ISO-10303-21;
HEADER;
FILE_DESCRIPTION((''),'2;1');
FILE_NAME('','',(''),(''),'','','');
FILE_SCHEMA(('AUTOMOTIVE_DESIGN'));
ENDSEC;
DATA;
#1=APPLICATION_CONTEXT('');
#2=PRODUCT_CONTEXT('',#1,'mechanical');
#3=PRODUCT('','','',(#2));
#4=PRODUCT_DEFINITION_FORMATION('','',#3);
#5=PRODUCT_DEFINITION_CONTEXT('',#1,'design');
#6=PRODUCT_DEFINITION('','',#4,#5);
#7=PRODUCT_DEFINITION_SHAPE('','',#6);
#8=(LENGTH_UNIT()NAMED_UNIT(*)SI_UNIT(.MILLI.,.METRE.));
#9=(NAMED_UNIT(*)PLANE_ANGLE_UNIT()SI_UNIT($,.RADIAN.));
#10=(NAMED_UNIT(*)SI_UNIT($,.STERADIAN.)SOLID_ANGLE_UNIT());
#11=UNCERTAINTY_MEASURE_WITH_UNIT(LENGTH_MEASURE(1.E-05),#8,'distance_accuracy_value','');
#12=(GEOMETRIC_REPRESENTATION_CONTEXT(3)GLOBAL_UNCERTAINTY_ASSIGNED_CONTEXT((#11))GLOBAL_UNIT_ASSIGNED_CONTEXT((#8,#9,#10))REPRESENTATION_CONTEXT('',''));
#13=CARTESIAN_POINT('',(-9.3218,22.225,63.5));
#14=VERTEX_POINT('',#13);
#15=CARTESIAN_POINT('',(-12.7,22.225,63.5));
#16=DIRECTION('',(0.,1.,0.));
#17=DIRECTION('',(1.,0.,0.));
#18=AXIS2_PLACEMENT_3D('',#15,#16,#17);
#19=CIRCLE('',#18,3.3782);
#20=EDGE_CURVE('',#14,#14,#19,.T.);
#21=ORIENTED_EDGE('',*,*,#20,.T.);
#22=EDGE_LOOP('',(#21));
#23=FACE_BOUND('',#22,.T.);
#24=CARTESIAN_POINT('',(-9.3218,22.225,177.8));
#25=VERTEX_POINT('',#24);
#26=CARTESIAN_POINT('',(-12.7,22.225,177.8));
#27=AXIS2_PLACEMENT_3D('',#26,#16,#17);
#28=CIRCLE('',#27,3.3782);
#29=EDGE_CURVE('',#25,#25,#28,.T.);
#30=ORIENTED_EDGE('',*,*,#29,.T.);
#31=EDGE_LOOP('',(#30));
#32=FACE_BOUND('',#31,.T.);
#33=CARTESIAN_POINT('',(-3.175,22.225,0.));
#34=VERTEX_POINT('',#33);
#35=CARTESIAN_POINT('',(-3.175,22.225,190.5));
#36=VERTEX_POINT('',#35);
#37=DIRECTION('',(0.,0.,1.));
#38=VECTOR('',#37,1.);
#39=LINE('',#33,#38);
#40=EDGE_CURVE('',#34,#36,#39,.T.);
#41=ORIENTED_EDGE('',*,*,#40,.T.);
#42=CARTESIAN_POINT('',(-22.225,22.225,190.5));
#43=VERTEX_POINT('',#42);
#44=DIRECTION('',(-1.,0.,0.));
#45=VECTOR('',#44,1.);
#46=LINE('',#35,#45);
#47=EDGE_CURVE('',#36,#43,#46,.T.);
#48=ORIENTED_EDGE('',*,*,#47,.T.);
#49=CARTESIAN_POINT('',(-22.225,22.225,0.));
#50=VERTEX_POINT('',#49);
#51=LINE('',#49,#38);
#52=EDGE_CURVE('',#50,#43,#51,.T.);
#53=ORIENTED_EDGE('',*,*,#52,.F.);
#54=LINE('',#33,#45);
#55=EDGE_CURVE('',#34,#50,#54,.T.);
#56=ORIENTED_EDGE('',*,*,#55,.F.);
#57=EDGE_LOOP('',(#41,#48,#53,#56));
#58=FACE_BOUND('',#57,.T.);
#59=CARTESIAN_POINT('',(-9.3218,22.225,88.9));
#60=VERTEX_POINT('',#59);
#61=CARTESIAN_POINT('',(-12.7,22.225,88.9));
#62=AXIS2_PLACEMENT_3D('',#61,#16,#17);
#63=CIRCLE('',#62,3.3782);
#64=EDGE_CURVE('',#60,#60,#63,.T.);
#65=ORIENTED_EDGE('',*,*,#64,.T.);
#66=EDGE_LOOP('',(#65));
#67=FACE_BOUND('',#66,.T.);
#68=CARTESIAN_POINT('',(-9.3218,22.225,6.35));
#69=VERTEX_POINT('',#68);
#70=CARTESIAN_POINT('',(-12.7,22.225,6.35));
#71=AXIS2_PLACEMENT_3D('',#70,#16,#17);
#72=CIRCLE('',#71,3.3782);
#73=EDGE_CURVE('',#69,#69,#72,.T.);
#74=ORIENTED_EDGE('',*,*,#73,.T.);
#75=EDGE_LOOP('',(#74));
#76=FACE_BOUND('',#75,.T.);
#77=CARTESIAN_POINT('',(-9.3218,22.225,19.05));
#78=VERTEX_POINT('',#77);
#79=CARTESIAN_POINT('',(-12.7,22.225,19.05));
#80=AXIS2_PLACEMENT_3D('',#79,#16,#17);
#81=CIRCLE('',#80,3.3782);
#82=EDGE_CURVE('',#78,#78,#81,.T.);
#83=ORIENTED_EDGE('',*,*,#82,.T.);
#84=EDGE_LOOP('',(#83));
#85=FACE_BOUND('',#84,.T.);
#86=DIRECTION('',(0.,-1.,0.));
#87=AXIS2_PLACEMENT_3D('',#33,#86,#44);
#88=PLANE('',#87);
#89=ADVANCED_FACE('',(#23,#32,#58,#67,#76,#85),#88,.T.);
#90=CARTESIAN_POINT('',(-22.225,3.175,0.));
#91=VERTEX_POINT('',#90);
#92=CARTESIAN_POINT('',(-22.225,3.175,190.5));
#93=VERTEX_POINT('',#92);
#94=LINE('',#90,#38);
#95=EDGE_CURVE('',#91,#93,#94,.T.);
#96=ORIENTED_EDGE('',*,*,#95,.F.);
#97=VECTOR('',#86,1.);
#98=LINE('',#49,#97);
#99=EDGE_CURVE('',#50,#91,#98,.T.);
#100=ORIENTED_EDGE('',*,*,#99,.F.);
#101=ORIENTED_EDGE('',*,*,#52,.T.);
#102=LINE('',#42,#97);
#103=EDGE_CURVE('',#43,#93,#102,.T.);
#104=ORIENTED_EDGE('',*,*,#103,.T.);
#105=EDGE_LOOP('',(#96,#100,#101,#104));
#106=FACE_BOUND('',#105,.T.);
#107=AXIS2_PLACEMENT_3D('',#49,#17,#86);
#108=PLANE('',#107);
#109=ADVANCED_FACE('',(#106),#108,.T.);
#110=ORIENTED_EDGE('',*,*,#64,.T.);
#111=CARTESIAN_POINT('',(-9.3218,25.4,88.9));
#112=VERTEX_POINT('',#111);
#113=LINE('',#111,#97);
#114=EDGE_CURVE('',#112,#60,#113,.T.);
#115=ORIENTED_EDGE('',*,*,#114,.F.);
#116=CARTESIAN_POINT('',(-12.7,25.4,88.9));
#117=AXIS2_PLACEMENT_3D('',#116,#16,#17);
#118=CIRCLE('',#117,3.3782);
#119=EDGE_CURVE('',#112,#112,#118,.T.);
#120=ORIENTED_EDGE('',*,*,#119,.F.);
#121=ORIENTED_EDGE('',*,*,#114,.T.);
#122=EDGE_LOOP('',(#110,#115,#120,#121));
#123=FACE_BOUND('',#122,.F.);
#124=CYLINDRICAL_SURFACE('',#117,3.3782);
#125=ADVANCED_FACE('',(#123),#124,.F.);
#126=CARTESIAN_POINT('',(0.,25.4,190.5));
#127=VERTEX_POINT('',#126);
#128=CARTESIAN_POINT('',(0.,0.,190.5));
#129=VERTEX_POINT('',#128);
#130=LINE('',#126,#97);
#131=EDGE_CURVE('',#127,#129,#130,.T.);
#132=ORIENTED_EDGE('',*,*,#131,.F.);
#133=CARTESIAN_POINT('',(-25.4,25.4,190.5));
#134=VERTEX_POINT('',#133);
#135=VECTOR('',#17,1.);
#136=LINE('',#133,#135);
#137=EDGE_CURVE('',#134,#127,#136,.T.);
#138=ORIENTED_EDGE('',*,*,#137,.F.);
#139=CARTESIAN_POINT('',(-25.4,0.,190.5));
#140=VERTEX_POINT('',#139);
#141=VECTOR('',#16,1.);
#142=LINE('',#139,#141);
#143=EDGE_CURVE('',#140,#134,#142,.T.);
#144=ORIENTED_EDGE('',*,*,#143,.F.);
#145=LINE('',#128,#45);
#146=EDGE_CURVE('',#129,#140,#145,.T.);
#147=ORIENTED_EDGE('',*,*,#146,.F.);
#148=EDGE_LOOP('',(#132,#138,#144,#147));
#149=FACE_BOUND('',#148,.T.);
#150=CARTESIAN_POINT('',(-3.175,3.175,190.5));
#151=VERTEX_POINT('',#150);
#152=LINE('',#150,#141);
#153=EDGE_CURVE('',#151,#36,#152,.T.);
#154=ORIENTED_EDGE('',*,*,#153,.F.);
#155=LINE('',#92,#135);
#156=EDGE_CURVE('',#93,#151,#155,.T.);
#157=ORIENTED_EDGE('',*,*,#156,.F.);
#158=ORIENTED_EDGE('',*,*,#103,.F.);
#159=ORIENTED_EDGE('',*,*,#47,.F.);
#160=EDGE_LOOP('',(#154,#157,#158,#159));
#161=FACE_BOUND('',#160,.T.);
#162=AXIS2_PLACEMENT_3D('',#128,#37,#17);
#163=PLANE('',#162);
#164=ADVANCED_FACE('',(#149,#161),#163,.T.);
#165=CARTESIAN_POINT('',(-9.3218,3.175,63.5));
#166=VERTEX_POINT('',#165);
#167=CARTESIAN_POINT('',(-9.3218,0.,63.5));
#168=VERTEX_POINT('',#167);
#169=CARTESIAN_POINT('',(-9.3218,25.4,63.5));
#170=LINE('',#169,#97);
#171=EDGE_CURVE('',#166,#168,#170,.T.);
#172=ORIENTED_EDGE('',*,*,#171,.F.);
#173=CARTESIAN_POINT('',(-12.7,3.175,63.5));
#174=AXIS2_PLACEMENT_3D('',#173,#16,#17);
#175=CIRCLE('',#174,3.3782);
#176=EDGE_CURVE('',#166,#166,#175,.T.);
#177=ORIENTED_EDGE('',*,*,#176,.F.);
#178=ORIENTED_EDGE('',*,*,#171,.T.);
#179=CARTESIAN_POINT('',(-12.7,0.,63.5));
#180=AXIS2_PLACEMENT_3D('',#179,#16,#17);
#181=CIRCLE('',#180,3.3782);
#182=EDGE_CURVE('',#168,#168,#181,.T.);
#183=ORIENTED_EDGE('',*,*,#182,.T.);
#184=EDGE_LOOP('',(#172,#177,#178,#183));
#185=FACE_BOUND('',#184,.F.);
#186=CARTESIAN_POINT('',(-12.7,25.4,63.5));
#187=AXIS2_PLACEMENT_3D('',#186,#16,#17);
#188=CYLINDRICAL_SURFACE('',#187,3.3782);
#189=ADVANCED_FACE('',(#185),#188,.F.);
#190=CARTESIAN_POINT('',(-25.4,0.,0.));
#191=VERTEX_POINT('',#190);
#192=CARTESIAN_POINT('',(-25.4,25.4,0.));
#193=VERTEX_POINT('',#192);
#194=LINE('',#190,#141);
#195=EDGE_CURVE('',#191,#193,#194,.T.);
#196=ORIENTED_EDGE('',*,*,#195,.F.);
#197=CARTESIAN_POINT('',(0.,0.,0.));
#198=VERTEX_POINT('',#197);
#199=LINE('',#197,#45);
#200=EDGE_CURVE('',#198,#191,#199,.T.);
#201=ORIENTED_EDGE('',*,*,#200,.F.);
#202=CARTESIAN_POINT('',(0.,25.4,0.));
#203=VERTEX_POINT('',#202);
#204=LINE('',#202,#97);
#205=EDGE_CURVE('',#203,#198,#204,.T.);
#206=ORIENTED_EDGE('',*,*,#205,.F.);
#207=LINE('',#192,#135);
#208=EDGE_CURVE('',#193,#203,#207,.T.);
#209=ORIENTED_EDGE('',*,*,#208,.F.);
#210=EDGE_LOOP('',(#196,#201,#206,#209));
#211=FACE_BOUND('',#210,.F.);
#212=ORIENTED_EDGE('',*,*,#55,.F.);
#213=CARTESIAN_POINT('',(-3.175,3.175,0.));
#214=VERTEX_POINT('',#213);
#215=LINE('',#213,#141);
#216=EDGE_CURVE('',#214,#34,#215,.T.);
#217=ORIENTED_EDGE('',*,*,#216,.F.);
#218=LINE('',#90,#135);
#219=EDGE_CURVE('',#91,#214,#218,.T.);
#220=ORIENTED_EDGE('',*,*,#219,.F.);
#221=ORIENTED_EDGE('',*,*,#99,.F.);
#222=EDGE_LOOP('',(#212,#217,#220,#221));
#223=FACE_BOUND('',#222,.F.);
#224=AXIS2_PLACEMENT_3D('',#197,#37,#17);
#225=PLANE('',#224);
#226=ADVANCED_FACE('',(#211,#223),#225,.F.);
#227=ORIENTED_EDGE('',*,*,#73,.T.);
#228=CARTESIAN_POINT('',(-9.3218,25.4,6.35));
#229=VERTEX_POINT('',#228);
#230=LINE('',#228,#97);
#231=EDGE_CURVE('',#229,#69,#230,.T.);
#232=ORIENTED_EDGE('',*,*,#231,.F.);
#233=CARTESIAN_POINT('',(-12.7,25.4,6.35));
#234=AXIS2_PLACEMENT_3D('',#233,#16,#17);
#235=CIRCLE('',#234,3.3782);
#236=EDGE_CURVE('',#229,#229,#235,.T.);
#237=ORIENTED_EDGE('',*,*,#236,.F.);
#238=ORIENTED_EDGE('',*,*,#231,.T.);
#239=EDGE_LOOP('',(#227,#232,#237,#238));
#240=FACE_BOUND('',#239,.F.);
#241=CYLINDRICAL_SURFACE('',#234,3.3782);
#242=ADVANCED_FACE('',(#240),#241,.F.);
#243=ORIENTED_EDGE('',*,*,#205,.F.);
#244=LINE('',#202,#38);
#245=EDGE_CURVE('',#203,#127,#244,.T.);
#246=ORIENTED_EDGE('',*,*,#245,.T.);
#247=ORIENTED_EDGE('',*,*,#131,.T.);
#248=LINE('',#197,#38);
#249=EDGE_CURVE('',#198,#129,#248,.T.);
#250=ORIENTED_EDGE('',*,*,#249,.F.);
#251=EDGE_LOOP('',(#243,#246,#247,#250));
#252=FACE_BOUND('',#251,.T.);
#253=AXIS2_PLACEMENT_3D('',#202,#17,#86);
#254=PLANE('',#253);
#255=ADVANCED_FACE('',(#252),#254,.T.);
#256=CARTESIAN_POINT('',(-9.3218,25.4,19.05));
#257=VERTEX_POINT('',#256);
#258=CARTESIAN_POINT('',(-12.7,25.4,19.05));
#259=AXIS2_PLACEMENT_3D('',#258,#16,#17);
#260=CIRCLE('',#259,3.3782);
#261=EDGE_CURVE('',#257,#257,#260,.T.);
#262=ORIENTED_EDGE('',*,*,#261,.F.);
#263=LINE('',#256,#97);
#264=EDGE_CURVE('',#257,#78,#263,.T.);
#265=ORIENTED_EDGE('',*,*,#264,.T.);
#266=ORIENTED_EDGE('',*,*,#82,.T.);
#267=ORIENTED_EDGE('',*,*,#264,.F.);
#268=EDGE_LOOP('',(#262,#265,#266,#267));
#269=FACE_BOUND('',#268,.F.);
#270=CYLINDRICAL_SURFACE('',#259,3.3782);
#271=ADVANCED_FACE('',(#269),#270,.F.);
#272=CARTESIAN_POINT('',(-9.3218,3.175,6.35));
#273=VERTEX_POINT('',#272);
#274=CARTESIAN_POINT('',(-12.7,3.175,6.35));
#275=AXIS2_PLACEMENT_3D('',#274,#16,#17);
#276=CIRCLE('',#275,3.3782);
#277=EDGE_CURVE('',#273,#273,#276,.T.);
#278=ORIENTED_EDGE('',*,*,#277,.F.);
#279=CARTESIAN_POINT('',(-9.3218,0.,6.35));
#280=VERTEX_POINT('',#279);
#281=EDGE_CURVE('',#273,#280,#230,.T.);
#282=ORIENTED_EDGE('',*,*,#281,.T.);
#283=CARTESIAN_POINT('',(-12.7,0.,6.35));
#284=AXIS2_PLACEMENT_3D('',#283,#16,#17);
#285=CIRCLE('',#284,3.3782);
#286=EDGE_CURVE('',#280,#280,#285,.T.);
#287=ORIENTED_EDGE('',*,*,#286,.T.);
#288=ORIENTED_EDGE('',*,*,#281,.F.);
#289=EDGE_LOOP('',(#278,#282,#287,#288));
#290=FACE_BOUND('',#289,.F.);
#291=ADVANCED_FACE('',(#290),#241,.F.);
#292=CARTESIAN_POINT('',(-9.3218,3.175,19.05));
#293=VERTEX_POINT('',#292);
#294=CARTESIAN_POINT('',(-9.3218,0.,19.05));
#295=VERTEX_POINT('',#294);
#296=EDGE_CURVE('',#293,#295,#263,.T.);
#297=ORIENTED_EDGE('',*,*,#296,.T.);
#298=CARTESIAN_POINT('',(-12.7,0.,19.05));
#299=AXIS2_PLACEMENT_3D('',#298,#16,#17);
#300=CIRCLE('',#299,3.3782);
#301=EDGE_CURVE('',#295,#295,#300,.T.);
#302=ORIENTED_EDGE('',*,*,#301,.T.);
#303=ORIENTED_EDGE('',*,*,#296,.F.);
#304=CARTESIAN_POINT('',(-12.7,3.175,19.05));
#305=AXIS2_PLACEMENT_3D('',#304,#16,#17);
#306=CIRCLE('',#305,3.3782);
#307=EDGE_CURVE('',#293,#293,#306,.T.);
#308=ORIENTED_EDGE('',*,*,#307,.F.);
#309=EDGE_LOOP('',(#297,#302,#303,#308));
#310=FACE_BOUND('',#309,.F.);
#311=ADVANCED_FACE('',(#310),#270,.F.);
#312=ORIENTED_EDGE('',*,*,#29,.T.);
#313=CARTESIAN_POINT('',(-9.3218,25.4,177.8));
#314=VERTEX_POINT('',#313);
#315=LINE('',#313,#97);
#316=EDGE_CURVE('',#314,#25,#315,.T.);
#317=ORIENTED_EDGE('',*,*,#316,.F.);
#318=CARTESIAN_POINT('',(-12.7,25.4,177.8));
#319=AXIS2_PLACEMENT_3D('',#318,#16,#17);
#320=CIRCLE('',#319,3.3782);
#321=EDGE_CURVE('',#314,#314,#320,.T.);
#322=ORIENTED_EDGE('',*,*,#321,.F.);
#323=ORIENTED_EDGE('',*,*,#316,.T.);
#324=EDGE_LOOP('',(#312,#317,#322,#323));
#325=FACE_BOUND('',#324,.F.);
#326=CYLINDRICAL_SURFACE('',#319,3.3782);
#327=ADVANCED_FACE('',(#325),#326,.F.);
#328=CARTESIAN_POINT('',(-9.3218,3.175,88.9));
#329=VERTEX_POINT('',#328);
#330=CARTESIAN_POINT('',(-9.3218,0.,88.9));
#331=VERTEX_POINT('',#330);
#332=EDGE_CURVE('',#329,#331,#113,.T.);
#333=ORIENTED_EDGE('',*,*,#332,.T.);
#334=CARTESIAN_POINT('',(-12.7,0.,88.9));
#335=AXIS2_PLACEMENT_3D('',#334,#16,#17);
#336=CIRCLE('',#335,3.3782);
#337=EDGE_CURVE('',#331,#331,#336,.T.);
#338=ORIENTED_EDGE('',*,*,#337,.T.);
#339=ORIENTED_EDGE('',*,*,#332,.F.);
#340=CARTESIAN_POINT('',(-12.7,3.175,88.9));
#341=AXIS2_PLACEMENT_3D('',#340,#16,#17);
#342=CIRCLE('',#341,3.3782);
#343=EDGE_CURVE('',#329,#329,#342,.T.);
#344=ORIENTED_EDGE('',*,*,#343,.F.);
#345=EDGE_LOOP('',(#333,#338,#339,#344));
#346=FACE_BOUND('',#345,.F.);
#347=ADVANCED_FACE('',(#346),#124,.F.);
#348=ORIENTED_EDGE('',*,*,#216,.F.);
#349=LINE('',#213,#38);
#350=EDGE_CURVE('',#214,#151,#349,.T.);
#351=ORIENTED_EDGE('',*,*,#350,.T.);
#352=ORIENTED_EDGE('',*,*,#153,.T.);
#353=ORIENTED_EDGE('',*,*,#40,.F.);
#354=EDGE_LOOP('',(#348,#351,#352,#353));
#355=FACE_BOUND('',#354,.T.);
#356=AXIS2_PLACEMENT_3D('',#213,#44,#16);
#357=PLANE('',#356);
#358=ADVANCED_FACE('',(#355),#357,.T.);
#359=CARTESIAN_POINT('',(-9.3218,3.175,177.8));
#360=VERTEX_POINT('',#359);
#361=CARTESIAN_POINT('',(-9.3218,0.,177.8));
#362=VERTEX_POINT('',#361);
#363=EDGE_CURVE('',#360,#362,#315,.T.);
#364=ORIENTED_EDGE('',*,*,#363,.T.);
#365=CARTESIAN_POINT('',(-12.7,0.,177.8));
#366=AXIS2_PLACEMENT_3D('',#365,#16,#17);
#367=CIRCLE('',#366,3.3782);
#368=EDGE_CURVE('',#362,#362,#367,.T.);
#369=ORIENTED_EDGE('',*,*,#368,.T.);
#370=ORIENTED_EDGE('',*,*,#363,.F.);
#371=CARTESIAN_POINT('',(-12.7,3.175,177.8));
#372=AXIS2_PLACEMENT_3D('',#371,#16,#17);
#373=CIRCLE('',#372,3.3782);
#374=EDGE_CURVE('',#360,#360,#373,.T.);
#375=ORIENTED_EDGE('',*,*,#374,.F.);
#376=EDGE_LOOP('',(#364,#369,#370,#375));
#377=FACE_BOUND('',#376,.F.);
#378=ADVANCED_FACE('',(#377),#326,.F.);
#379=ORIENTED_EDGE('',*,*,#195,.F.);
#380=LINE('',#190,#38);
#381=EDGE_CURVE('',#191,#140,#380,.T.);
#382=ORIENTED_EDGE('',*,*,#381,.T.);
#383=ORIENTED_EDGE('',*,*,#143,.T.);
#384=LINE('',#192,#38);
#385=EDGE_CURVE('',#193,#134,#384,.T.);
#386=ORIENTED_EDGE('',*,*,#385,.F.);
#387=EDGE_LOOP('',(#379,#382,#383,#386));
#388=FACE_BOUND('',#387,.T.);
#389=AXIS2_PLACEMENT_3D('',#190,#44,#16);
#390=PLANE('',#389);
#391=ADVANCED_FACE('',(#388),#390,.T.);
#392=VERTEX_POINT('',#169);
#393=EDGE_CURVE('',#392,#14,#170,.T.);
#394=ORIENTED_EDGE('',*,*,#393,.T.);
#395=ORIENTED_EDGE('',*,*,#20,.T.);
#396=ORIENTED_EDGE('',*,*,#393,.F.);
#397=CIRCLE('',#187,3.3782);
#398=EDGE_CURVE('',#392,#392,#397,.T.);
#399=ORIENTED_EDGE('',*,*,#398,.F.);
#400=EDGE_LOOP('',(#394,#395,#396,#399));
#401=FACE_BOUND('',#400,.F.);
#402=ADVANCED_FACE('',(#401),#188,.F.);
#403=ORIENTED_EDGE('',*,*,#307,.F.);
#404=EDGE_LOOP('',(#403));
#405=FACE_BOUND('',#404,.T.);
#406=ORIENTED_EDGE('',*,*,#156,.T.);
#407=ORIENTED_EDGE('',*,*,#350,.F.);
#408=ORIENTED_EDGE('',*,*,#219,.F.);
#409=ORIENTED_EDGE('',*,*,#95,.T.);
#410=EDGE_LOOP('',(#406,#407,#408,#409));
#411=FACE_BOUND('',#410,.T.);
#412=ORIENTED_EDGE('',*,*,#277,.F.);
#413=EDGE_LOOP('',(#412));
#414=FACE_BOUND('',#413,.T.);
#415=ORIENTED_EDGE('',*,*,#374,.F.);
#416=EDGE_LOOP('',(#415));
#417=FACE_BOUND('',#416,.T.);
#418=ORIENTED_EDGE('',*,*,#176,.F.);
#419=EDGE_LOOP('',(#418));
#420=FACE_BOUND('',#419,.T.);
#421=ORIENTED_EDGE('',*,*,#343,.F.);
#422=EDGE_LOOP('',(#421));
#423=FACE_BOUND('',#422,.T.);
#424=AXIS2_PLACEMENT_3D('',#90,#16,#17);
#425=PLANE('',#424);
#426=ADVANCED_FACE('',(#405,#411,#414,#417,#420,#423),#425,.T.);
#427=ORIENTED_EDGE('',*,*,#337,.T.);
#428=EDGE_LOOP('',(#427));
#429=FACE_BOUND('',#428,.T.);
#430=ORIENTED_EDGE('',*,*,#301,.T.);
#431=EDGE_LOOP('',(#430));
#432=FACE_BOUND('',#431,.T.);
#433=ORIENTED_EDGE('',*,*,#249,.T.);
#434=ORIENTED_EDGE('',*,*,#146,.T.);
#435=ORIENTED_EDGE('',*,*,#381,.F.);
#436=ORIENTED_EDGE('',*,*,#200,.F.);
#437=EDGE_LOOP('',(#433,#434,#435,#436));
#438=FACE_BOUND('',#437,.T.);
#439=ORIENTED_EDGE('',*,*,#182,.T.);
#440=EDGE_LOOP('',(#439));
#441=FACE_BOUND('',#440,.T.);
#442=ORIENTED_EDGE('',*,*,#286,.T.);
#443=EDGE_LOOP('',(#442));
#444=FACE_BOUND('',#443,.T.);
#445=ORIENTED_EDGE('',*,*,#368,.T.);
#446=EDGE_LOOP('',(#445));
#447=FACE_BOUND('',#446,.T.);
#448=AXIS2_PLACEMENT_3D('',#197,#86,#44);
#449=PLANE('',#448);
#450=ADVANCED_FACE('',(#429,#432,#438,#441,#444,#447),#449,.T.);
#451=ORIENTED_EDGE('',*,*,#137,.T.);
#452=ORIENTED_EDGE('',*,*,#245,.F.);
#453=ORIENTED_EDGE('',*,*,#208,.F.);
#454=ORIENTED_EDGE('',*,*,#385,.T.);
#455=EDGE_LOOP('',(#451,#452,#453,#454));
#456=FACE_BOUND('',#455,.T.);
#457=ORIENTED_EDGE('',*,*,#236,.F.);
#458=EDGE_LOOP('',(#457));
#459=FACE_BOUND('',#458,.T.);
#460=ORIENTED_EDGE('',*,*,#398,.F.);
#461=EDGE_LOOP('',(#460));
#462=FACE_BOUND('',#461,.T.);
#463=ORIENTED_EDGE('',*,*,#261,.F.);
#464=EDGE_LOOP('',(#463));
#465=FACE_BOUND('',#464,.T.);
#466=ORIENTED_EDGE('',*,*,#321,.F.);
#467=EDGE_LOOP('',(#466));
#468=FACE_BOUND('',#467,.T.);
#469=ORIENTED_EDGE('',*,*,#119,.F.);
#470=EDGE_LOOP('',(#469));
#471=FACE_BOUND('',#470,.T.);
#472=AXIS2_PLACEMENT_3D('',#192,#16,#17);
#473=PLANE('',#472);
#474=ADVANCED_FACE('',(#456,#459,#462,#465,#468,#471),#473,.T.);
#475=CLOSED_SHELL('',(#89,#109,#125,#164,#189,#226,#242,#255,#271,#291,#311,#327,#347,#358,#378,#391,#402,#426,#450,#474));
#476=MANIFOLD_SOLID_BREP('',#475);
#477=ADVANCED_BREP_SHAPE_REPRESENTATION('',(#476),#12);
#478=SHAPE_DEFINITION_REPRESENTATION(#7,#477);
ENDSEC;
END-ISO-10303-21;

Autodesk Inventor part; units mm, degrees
ref_plane "YZ Plane" through (0, 0, 0) normal (1, 0, 0) x (0, 1, 0)
ref_plane "XZ Plane" through (0, 0, 0) normal (0, 1, 0) x (-1, 0, 0)
ref_plane "XY Plane" through (0, 0, 0) normal (0, 0, 1) x (1, 0, 0)
sketch "Sketch1" plane through (0, 0, 0) normal (0, 0, 1) x (1, 0, 0)
  line L0 (0, 0) -> (-25.4, 0)
  line L1 (-25.4, 0) -> (-25.4, 25.4)
  line L2 (-25.4, 25.4) -> (0, 25.4)
  line L3 (0, 25.4) -> (0, 0)
  line L4 (-3.175, 22.225) -> (-22.225, 22.225)
  line L5 (-22.225, 22.225) -> (-22.225, 3.175)
  line L6 (-22.225, 3.175) -> (-3.175, 3.175)
  line L7 (-3.175, 3.175) -> (-3.175, 22.225)
  dimension "d0" = 25.4
  dimension "d2" = 25.4
  dimension "d3" = 3.175
extrude "Extrusion1" add sketch "Sketch1" along normal blind 190.5
sketch "Sketch2" plane through (-25.4, 25.4, 0) normal (0, 1, 0) x (1, 0, 0)
  circle A0 centre (12.7, -19.05) radius 3.3782 projected
  circle A1 centre (12.7, -6.35) radius 3.3782 projected
extrude "Extrusion2" cut sketch "Sketch2" against normal blind 25.4
sketch "Sketch3" plane through (-25.4, 25.4, 0) normal (0, 1, 0) x (1, 0, 0)
  circle A0 centre (12.7, -203.2) radius 3.3782 projected
  circle A1 centre (12.7, -177.8) radius 3.3782 projected
extrude "Extrusion3" cut sketch "Sketch3" against normal blind 25.4
sketch "Sketch4" plane through (-25.4, 25.4, 0) normal (0, 1, 0) x (1, 0, 0)
  circle A0 centre (12.7, -63.5) radius 3.3782
  circle A1 centre (12.7, -88.9) radius 3.3782
extrude "Extrusion4" cut sketch "Sketch4" against normal blind 25.4
properties part number "p80 mount" material "Aluminum 6061"
